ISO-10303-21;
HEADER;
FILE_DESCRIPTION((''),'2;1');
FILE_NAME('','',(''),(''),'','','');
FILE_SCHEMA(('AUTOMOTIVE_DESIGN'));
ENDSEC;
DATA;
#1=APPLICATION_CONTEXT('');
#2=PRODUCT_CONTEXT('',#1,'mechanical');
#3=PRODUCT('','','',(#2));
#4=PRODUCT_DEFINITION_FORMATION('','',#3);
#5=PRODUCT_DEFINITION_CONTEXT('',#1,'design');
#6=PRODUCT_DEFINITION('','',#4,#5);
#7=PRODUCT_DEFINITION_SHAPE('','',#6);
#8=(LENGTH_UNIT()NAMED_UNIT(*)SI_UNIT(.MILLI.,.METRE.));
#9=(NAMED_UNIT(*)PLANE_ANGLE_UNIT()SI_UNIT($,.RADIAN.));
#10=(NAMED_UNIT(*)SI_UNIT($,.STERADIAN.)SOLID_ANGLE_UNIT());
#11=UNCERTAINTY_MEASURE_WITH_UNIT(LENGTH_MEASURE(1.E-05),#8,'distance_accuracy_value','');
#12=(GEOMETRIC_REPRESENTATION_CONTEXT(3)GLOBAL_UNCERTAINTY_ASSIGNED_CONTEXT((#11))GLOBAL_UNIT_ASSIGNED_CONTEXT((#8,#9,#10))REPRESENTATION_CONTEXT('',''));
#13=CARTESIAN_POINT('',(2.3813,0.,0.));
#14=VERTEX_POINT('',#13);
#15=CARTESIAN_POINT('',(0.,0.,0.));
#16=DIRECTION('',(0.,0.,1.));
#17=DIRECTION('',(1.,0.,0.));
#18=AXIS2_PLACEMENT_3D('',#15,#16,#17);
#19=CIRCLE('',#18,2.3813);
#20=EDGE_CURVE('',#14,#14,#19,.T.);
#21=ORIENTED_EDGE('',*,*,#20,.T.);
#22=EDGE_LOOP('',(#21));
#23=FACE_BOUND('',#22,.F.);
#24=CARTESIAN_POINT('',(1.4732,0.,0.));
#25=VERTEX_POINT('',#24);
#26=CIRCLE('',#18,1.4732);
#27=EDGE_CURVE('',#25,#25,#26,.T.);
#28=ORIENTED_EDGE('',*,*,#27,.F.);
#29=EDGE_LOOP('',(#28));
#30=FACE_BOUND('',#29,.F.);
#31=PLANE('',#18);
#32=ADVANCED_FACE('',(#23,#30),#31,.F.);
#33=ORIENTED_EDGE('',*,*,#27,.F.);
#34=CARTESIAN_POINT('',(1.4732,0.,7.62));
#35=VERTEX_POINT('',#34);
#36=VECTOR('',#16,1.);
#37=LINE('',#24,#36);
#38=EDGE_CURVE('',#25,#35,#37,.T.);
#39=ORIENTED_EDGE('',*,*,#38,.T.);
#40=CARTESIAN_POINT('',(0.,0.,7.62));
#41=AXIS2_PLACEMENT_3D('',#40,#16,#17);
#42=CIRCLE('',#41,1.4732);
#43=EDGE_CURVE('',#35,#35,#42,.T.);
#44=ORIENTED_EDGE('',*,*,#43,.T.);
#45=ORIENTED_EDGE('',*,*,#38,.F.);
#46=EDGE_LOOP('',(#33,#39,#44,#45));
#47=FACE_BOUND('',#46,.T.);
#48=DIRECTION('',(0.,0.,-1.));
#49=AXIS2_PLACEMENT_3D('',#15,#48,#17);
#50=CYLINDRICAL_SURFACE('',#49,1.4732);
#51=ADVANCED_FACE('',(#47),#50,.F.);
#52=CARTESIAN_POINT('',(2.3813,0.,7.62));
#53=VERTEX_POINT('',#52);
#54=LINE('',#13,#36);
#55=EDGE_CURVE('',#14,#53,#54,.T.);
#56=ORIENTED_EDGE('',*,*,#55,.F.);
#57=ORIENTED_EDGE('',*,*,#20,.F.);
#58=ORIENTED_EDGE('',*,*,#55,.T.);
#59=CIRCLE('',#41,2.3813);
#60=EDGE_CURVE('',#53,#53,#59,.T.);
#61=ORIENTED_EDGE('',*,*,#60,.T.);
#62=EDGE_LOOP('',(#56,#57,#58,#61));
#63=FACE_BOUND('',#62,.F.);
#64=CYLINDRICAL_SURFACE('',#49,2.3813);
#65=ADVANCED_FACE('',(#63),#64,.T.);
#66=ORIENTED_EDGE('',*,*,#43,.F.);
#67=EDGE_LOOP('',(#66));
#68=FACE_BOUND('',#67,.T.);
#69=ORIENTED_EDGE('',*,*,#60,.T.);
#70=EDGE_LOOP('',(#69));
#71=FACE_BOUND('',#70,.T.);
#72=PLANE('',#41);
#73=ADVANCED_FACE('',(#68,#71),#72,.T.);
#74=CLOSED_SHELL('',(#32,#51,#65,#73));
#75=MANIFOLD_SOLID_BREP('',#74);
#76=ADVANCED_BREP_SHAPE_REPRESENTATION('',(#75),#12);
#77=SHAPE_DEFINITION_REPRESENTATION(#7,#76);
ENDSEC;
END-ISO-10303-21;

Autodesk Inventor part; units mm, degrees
ref_plane "YZ Plane" through (0, 0, 0) normal (1, 0, 0) x (0, 1, 0)
ref_plane "XZ Plane" through (0, 0, 0) normal (0, 1, 0) x (-1, 0, 0)
ref_plane "XY Plane" through (0, 0, 0) normal (0, 0, 1) x (1, 0, 0)
sketch "Sketch1" plane through (0, 0, 0) normal (0, 0, 1) x (1, 0, 0)
  circle A0 centre (0, 0) radius 2.3813
  circle A1 centre (0, 0) radius 1.4732
  dimension "d0" = 4.7625
  dimension "d1" = 2.9464
extrude "Extrusion1" add sketch "Sketch1" along normal blind 7.62
properties part number "Spacer_4-40"
